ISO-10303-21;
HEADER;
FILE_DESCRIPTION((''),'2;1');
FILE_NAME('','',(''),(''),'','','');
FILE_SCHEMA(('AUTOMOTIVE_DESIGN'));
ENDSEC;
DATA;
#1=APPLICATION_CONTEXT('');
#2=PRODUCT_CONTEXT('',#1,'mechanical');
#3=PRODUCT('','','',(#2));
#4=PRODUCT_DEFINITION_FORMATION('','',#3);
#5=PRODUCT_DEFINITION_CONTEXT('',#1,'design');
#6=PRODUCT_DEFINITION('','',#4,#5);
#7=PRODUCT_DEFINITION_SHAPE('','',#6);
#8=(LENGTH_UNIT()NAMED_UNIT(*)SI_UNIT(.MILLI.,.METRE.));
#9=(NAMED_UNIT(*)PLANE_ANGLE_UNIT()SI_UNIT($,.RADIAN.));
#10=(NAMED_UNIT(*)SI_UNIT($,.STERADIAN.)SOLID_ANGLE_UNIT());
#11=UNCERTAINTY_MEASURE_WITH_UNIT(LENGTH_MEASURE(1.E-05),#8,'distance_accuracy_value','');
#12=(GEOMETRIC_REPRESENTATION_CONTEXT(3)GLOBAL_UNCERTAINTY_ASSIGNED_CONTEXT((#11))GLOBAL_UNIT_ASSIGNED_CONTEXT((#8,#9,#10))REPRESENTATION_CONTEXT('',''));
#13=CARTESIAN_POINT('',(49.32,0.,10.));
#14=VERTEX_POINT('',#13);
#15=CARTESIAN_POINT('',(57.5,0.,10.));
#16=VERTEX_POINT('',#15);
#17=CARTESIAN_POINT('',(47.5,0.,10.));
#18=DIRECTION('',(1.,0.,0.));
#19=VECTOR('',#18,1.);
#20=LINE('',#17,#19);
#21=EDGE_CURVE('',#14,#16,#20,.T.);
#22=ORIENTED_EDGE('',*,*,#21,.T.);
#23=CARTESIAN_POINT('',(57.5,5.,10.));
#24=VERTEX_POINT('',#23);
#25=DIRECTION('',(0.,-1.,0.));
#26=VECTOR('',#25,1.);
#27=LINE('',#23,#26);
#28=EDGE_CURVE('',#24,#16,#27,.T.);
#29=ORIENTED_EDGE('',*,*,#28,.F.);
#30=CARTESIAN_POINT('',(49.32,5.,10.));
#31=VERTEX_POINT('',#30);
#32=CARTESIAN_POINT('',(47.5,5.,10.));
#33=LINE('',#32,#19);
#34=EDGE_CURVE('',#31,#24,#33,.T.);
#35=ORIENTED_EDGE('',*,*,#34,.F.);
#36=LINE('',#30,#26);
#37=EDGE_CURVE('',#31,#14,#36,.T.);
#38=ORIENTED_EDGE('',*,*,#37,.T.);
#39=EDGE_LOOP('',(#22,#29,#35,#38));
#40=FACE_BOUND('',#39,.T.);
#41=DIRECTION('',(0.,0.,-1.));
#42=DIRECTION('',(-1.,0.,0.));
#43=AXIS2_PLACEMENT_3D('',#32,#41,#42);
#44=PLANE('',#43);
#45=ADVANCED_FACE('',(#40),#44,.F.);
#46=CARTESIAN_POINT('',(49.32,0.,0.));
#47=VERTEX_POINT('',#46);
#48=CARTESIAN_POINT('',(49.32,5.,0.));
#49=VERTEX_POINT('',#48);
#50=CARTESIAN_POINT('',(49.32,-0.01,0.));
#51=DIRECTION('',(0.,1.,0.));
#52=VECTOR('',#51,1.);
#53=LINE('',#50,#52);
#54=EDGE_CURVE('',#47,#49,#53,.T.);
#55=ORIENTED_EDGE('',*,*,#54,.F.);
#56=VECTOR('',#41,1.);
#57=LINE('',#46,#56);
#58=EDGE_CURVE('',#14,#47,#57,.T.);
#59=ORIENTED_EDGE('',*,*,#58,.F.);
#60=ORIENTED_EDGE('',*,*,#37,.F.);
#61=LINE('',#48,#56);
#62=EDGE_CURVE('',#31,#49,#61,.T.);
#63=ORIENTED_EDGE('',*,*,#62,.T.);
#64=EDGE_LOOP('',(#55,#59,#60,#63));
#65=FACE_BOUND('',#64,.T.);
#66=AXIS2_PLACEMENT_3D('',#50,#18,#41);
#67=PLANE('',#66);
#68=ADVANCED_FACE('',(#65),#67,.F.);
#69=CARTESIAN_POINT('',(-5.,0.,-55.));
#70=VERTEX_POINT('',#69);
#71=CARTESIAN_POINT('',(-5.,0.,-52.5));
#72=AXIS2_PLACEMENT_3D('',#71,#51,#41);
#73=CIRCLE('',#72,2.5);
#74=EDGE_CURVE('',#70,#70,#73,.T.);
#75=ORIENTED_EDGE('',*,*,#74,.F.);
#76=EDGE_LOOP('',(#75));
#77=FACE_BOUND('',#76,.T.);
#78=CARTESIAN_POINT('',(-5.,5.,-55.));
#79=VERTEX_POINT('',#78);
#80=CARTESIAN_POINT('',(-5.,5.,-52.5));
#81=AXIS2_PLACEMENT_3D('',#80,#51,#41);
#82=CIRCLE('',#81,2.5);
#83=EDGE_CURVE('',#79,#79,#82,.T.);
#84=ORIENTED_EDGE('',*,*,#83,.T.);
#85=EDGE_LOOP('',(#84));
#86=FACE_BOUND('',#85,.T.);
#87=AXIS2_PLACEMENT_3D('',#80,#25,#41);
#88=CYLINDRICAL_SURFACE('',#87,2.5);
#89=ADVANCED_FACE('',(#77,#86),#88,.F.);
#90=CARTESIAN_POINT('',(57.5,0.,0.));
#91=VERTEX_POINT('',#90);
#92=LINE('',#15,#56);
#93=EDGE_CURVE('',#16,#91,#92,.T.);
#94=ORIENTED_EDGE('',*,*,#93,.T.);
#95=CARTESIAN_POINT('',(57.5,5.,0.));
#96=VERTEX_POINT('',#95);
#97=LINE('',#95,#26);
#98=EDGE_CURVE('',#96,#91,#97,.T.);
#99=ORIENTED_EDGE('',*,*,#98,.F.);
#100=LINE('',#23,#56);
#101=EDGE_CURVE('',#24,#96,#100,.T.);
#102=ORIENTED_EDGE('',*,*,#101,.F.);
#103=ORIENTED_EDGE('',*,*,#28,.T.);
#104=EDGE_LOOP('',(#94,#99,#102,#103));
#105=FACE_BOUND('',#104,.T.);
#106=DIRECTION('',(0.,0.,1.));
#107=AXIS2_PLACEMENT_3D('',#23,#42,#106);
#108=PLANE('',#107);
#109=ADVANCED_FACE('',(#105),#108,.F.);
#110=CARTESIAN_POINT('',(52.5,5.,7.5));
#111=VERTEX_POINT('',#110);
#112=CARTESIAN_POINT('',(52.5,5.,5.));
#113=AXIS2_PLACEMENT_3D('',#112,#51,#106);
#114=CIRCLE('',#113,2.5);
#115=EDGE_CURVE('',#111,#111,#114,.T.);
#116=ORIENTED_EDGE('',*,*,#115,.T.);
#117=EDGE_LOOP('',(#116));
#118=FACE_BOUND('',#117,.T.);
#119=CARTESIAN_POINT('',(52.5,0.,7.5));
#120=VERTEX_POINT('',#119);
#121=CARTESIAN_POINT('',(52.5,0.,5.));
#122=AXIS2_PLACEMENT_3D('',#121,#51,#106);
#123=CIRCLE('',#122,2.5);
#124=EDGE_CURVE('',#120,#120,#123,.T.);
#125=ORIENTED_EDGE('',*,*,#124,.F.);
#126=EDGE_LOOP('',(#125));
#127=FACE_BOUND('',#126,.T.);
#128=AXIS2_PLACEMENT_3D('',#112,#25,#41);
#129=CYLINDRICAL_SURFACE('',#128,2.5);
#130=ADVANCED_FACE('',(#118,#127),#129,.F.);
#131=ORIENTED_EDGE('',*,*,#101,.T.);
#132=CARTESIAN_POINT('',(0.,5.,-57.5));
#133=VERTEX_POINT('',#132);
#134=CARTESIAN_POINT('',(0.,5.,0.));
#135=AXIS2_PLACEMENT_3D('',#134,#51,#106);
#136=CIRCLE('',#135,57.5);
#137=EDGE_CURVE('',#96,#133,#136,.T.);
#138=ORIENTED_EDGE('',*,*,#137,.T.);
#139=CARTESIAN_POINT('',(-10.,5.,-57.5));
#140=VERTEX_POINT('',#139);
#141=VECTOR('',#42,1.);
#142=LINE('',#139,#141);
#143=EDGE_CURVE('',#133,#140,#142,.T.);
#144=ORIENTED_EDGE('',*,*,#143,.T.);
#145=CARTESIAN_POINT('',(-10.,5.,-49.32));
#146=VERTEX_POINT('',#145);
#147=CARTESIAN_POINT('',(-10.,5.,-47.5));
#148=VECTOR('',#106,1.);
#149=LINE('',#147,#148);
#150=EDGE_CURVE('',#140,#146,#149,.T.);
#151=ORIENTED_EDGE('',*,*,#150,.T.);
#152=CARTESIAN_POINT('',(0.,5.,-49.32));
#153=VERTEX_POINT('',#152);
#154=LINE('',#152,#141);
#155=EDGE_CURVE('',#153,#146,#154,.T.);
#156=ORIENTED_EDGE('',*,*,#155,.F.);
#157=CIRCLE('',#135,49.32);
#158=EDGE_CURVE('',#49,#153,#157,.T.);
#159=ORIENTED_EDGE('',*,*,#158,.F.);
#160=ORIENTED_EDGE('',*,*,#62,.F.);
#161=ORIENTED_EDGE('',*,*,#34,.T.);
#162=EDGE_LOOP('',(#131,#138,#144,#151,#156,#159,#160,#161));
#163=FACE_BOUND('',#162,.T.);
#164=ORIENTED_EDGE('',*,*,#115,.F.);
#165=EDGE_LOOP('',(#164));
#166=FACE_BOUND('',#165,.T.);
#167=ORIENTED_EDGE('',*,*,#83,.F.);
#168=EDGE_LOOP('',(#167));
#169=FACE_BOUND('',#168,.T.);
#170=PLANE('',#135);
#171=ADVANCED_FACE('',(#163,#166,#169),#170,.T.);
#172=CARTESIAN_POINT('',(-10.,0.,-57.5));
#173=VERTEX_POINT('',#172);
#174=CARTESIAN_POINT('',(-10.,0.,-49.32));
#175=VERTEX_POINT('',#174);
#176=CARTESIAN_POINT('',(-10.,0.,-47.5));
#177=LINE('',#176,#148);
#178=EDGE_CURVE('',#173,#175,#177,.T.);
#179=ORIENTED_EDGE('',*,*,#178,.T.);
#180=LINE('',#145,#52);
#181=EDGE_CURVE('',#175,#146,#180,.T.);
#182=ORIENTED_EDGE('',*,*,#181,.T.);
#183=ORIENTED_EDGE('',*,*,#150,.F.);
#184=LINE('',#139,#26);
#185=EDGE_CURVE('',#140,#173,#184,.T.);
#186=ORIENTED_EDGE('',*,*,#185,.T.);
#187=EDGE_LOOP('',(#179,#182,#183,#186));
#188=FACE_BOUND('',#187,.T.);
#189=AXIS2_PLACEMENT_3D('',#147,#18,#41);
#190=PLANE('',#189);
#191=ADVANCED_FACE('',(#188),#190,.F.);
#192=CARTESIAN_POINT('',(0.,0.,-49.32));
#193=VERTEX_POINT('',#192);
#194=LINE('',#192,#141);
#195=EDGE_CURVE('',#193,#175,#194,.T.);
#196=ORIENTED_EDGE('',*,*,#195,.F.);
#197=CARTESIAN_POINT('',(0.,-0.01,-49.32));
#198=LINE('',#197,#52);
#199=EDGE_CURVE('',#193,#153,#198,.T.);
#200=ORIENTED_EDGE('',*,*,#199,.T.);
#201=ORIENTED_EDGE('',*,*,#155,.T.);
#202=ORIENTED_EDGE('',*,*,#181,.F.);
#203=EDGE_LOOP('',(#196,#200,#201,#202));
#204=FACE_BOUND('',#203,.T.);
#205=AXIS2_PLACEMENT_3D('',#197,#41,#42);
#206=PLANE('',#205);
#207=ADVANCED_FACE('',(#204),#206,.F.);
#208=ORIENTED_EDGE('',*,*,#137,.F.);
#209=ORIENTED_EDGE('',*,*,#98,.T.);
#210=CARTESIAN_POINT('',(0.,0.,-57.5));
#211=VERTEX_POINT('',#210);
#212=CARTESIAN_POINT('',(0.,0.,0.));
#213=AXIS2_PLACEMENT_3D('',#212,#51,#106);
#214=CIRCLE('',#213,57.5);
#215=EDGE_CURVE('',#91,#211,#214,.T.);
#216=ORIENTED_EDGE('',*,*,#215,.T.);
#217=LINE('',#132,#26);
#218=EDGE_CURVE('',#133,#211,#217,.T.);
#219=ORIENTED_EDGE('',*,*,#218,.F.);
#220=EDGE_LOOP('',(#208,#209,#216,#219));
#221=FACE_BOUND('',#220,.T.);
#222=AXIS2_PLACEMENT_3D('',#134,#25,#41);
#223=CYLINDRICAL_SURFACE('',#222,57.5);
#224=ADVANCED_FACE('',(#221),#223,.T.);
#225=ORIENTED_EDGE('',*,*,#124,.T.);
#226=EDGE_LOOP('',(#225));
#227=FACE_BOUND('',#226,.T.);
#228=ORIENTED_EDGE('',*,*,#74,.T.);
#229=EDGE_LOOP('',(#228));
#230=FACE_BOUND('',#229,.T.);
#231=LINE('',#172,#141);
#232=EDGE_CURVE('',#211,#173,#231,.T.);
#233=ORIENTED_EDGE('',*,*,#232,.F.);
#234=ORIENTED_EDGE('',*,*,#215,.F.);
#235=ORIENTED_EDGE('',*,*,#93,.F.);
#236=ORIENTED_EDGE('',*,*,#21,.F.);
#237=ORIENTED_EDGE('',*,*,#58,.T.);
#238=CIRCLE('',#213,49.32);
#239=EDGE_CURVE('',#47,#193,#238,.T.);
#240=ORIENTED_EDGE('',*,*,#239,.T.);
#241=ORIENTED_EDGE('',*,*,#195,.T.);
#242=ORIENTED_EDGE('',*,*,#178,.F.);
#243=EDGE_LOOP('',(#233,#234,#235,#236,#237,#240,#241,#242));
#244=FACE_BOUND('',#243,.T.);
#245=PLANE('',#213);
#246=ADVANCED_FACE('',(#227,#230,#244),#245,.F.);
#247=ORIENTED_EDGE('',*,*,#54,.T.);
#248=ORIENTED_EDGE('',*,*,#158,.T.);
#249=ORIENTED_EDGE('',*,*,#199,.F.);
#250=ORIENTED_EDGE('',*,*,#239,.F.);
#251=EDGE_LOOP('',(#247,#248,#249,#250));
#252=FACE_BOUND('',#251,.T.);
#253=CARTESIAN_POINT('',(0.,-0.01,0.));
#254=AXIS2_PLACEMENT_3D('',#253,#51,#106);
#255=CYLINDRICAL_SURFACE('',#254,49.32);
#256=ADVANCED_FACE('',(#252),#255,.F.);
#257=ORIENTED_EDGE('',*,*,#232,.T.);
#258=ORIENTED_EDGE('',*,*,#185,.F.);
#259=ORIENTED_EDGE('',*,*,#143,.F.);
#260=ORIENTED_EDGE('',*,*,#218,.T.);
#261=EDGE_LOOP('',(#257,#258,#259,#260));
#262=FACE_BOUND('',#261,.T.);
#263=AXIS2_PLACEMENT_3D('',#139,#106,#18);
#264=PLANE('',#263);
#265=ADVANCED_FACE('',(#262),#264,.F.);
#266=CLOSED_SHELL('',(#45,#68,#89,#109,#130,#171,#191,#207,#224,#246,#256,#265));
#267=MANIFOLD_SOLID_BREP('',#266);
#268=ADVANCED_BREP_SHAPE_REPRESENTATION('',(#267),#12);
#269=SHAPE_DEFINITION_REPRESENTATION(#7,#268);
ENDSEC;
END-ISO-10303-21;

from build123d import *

# Parameters (mm, degrees)
SKETCH1_R              = 2.5
BOSS_EXTRUDE2_DEPTH    = 5
SPLIT1_SURFACE_1_BACK  = 96.59
SPLIT1_SURFACE_1_DEPTH = 193.18


with BuildPart() as part:
    # Sketch1 → Boss-Extrude2 (new body)
    with BuildSketch(Plane(origin=(0, 0, 0), x_dir=(1, 0, 0), z_dir=(0, 1, 0))):
        with BuildLine():
            Line((47.5, 0), (47.5, -10))
            Line((47.5, -10), (57.5, -10))
            Line((57.5, -10), (57.5, 0))
            ThreePointArc((57.5, 0), (40.658639918, 40.658639918), (0, 57.5))
            Line((0, 57.5), (-10, 57.5))
            Line((-10, 57.5), (-10, 47.5))
            Line((-10, 47.5), (0, 47.5))
            ThreePointArc((0, 47.5), (33.587572106, 33.587572106), (47.5, 0))
        make_face()
        with Locations(Location((52.5, -5, 0), (0, 0, 270))):
            Circle(SKETCH1_R, mode=Mode.SUBTRACT)
        with Locations(Location((-5, 52.5, 0), (0, 0, 90))):
            Circle(SKETCH1_R, mode=Mode.SUBTRACT)
    extrude(amount=BOSS_EXTRUDE2_DEPTH)

    # Split1: cut with a surface, the side behind it stays
    # Split1 surface: a surface, the sketch's curves swept straight by 193.18 mm
    with BuildLine(Plane(origin=(0, 5, 0), x_dir=(1, 0, 0), z_dir=(0, 1, 0)).offset(-SPLIT1_SURFACE_1_BACK), mode=Mode.PRIVATE) as split1_surface_1_path:
        Line((49.32, -10), (49.32, 0))
        ThreePointArc((49.32, 0), (34.874506448, 34.874506448), (0, 49.32))
        Line((0, 49.32), (-10, 49.32))
    split1_surface_1 = Shell.extrude(split1_surface_1_path.wire(), (0 * SPLIT1_SURFACE_1_DEPTH, 1 * SPLIT1_SURFACE_1_DEPTH, 0 * SPLIT1_SURFACE_1_DEPTH))
    split(bisect_by=split1_surface_1, keep=Keep.BOTTOM)


solid = part.part
